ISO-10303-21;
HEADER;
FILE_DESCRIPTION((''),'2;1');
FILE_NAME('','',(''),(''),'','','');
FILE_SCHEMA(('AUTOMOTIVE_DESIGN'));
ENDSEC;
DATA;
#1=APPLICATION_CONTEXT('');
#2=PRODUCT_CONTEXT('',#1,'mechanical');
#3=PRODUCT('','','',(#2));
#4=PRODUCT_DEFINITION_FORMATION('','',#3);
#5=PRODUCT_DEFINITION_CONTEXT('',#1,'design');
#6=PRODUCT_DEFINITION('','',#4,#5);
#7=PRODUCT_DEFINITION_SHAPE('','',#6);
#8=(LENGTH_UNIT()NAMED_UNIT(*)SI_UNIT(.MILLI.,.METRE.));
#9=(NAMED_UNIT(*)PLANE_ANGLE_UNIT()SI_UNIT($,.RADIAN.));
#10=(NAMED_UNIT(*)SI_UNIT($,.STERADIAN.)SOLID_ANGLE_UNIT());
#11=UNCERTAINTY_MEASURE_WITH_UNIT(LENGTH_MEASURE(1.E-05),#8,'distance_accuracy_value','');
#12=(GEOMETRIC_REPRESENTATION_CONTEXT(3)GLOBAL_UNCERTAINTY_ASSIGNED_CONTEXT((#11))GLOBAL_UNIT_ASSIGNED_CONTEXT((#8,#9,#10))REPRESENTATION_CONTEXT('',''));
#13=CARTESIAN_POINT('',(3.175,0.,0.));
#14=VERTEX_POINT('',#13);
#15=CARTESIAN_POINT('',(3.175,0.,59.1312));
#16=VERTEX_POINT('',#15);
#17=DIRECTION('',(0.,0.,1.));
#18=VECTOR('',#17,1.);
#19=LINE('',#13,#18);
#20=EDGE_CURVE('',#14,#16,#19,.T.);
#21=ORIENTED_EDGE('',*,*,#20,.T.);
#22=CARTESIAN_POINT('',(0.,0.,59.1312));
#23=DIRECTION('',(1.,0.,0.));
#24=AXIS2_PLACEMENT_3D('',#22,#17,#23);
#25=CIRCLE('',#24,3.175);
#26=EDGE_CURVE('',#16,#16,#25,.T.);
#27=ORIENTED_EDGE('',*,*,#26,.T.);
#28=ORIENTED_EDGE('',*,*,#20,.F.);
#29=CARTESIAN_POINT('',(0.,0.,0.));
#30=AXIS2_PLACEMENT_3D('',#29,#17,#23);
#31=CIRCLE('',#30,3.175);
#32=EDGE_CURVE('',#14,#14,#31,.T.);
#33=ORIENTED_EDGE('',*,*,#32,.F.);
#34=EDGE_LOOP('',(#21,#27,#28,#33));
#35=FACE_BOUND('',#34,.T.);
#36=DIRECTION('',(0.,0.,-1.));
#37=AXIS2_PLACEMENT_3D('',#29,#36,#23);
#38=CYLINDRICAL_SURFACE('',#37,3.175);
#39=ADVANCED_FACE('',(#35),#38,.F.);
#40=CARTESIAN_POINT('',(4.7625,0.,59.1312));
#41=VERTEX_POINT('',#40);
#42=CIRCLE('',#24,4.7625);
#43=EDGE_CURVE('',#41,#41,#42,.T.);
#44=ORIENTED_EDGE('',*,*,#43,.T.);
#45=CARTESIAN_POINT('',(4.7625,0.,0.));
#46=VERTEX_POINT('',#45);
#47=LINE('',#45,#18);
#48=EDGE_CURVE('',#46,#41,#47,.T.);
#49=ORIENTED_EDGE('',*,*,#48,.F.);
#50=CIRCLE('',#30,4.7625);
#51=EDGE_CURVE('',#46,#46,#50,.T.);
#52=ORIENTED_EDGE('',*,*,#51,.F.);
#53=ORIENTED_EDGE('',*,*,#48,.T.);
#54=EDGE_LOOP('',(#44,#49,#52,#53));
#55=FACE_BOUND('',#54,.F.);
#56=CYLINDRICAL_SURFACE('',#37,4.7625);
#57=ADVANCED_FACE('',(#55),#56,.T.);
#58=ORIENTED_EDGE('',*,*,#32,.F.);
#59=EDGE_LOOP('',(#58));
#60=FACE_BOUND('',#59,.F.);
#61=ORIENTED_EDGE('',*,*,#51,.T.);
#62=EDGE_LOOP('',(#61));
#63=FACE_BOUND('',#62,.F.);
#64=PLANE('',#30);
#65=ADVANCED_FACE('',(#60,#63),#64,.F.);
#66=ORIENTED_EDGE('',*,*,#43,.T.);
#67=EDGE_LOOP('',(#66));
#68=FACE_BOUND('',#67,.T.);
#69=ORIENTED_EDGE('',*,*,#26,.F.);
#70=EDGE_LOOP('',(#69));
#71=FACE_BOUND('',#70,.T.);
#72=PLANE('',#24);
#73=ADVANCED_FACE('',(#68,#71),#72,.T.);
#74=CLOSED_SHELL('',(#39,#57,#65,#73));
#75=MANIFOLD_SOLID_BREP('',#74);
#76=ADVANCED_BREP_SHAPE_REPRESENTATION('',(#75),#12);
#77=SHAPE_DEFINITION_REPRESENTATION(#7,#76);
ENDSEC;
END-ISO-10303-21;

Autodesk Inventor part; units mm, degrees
ref_plane "YZ Plane" through (0, 0, 0) normal (1, 0, 0) x (0, 1, 0)
ref_plane "XZ Plane" through (0, 0, 0) normal (0, 1, 0) x (-1, 0, 0)
ref_plane "XY Plane" through (0, 0, 0) normal (0, 0, 1) x (1, 0, 0)
sketch "Sketch1" plane through (0, 0, 0) normal (0, 0, 1) x (1, 0, 0)
  circle A0 centre (0, 0) radius 3.175
  circle A1 centre (0, 0) radius 4.7625
  dimension "d0" = 6.35
  dimension "d1" = 9.525
extrude "Extrusion1" add sketch "Sketch1" along normal blind 59.1312
properties part number "DriveTrainBaseSpacer"
